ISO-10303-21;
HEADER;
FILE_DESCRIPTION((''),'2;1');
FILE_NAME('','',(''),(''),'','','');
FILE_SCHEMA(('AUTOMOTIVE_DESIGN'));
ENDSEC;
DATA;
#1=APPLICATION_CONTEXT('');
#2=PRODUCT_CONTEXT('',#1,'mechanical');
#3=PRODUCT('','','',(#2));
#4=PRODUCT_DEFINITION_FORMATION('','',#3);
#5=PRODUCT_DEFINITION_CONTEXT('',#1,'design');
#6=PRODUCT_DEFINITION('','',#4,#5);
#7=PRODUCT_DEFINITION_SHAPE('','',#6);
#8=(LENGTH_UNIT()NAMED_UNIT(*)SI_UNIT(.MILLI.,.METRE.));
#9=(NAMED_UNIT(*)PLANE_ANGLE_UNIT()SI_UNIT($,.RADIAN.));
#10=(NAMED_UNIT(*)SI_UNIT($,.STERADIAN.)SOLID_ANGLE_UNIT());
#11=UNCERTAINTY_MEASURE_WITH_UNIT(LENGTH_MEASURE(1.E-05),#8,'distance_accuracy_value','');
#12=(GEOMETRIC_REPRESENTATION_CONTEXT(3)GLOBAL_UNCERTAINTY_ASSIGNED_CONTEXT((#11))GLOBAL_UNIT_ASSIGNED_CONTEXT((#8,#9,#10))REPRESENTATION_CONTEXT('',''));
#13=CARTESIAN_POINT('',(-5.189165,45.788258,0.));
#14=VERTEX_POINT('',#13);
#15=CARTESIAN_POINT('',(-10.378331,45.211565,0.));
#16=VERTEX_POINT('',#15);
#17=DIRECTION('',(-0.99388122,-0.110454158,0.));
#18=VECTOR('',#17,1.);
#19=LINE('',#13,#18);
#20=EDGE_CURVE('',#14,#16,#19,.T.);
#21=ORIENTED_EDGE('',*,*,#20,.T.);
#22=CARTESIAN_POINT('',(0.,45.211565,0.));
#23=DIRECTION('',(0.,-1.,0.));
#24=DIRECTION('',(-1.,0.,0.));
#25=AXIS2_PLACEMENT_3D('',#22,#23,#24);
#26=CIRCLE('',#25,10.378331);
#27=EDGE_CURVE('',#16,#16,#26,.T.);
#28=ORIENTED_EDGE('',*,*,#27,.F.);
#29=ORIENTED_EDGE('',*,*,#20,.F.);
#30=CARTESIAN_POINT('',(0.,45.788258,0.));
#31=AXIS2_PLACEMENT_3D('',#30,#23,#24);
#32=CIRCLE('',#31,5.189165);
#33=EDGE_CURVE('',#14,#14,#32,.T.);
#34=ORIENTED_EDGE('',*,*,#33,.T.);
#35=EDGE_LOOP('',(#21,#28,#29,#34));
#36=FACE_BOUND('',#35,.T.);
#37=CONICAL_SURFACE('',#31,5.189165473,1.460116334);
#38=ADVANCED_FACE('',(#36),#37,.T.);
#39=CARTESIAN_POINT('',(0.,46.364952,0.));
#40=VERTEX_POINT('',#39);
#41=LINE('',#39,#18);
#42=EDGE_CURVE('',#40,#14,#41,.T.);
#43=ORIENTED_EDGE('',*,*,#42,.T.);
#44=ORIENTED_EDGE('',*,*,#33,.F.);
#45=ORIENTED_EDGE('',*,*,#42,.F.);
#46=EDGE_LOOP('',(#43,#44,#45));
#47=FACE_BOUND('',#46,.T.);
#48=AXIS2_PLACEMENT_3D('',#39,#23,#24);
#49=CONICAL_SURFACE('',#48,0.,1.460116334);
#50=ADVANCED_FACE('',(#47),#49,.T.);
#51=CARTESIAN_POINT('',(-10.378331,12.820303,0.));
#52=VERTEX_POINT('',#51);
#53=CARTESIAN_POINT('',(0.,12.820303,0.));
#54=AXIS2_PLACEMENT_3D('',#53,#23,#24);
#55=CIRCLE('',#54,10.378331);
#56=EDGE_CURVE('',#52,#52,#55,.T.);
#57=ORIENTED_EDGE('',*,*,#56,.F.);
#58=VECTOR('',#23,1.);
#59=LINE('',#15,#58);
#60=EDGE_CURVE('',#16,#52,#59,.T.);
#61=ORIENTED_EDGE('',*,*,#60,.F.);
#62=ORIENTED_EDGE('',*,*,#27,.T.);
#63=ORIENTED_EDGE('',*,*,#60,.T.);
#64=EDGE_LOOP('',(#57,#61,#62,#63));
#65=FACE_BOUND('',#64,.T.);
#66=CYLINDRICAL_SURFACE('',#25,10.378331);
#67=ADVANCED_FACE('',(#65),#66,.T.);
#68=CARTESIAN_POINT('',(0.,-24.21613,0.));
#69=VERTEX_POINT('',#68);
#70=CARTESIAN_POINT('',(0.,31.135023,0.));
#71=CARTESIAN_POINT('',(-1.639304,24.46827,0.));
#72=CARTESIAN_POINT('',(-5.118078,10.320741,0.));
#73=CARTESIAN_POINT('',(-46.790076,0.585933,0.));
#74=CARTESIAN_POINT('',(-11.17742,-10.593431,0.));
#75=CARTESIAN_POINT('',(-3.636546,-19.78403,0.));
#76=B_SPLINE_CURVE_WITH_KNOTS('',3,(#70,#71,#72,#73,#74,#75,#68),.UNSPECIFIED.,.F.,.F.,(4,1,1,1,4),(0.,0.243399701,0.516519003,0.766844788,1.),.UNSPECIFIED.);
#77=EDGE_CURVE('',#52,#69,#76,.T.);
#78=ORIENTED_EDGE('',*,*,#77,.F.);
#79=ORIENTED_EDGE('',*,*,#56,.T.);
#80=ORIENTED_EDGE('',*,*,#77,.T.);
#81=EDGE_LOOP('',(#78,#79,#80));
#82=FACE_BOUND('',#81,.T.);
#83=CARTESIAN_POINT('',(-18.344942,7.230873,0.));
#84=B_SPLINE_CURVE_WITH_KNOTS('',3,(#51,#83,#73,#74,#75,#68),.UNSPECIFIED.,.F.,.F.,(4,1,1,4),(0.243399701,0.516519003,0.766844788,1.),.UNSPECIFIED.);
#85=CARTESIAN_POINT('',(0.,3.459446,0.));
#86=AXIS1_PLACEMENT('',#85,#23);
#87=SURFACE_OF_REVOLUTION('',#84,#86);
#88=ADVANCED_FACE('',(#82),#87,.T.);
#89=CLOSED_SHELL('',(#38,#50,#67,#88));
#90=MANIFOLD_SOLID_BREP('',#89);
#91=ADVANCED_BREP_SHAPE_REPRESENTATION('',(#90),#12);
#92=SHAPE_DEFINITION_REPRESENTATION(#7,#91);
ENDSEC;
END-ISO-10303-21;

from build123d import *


with BuildPart() as f1:
    # F0 (on Top) → F1 (revolve)
    with BuildSketch(Plane.XY):
        with BuildLine():
            Line((0, -24.2161303759), (0, 31.1350226402))
            add(Edge.make_bspline(
                [(0, 31.1350226402), (-1.639304423, 24.4682702064), (-3.2786100212, 17.8015176311), (-10.378330946, 12.8203034401)],
                knots=[0, 0, 0, 0, 0.2433997007, 0.2433997007, 0.2433997007, 0.2433997007], degree=3))
            add(Edge.make_bspline(
                [(-10.378330946, 12.8203034401), (-18.3449423222, 7.2308728045), (-46.7900761349, 0.585933288), (-11.1774195109, -10.593430608), (-3.6365463232, -19.7840299026), (0, -24.2161303759)],
                knots=[0.2433997007, 0.2433997007, 0.2433997007, 0.2433997007, 0.5165190029, 0.7668447884, 1, 1, 1, 1], degree=3))
        make_face()
        with BuildLine():
            add(Edge.make_bspline(
                [(0, 31.1350226402), (-1.639304423, 24.4682702064), (-3.2786100212, 17.8015176311), (-10.378330946, 12.8203034401)],
                knots=[0, 0, 0, 0, 0.2433997007, 0.2433997007, 0.2433997007, 0.2433997007], degree=3))
            Line((0, 31.1350226402), (0, 46.3649518788))
            add(Edge.make_bspline(
                [(-10.378330946, 12.8203034401), (-8.7163690438, 23.8572220951), (-6.2091095205, 40.5076786408), (-1.5655353702, 44.8881268541), (0, 46.3649518788)],
                knots=[0, 0, 0, 0, 0.6628597566, 1, 1, 1, 1], degree=3))
        make_face()
        with BuildLine():
            Line((-10.378330946, 29.0159340948), (-10.378330946, 12.8203034401))
            add(Edge.make_bspline(
                [(-10.378330946, 12.8203034401), (-8.7163690438, 23.8572220951), (-6.2091095205, 40.5076786408), (-1.5655353702, 44.8881268541), (0, 46.3649518788)],
                knots=[0, 0, 0, 0, 0.6628597566, 1, 1, 1, 1], degree=3))
            Line((0, 46.3649518788), (-5.189165473, 45.7882583141))
            Line((-5.189165473, 45.7882583141), (-10.378330946, 29.0159340948))
        make_face()
        Polygon((-10.378330946, 45.2115647495), (-10.378330946, 29.0159340948), (-5.189165473, 45.7882583141), align=None)
    revolve(axis=Axis((0, 3.4594461322, 0), (0, -1, 0)))


solid = f1.part
